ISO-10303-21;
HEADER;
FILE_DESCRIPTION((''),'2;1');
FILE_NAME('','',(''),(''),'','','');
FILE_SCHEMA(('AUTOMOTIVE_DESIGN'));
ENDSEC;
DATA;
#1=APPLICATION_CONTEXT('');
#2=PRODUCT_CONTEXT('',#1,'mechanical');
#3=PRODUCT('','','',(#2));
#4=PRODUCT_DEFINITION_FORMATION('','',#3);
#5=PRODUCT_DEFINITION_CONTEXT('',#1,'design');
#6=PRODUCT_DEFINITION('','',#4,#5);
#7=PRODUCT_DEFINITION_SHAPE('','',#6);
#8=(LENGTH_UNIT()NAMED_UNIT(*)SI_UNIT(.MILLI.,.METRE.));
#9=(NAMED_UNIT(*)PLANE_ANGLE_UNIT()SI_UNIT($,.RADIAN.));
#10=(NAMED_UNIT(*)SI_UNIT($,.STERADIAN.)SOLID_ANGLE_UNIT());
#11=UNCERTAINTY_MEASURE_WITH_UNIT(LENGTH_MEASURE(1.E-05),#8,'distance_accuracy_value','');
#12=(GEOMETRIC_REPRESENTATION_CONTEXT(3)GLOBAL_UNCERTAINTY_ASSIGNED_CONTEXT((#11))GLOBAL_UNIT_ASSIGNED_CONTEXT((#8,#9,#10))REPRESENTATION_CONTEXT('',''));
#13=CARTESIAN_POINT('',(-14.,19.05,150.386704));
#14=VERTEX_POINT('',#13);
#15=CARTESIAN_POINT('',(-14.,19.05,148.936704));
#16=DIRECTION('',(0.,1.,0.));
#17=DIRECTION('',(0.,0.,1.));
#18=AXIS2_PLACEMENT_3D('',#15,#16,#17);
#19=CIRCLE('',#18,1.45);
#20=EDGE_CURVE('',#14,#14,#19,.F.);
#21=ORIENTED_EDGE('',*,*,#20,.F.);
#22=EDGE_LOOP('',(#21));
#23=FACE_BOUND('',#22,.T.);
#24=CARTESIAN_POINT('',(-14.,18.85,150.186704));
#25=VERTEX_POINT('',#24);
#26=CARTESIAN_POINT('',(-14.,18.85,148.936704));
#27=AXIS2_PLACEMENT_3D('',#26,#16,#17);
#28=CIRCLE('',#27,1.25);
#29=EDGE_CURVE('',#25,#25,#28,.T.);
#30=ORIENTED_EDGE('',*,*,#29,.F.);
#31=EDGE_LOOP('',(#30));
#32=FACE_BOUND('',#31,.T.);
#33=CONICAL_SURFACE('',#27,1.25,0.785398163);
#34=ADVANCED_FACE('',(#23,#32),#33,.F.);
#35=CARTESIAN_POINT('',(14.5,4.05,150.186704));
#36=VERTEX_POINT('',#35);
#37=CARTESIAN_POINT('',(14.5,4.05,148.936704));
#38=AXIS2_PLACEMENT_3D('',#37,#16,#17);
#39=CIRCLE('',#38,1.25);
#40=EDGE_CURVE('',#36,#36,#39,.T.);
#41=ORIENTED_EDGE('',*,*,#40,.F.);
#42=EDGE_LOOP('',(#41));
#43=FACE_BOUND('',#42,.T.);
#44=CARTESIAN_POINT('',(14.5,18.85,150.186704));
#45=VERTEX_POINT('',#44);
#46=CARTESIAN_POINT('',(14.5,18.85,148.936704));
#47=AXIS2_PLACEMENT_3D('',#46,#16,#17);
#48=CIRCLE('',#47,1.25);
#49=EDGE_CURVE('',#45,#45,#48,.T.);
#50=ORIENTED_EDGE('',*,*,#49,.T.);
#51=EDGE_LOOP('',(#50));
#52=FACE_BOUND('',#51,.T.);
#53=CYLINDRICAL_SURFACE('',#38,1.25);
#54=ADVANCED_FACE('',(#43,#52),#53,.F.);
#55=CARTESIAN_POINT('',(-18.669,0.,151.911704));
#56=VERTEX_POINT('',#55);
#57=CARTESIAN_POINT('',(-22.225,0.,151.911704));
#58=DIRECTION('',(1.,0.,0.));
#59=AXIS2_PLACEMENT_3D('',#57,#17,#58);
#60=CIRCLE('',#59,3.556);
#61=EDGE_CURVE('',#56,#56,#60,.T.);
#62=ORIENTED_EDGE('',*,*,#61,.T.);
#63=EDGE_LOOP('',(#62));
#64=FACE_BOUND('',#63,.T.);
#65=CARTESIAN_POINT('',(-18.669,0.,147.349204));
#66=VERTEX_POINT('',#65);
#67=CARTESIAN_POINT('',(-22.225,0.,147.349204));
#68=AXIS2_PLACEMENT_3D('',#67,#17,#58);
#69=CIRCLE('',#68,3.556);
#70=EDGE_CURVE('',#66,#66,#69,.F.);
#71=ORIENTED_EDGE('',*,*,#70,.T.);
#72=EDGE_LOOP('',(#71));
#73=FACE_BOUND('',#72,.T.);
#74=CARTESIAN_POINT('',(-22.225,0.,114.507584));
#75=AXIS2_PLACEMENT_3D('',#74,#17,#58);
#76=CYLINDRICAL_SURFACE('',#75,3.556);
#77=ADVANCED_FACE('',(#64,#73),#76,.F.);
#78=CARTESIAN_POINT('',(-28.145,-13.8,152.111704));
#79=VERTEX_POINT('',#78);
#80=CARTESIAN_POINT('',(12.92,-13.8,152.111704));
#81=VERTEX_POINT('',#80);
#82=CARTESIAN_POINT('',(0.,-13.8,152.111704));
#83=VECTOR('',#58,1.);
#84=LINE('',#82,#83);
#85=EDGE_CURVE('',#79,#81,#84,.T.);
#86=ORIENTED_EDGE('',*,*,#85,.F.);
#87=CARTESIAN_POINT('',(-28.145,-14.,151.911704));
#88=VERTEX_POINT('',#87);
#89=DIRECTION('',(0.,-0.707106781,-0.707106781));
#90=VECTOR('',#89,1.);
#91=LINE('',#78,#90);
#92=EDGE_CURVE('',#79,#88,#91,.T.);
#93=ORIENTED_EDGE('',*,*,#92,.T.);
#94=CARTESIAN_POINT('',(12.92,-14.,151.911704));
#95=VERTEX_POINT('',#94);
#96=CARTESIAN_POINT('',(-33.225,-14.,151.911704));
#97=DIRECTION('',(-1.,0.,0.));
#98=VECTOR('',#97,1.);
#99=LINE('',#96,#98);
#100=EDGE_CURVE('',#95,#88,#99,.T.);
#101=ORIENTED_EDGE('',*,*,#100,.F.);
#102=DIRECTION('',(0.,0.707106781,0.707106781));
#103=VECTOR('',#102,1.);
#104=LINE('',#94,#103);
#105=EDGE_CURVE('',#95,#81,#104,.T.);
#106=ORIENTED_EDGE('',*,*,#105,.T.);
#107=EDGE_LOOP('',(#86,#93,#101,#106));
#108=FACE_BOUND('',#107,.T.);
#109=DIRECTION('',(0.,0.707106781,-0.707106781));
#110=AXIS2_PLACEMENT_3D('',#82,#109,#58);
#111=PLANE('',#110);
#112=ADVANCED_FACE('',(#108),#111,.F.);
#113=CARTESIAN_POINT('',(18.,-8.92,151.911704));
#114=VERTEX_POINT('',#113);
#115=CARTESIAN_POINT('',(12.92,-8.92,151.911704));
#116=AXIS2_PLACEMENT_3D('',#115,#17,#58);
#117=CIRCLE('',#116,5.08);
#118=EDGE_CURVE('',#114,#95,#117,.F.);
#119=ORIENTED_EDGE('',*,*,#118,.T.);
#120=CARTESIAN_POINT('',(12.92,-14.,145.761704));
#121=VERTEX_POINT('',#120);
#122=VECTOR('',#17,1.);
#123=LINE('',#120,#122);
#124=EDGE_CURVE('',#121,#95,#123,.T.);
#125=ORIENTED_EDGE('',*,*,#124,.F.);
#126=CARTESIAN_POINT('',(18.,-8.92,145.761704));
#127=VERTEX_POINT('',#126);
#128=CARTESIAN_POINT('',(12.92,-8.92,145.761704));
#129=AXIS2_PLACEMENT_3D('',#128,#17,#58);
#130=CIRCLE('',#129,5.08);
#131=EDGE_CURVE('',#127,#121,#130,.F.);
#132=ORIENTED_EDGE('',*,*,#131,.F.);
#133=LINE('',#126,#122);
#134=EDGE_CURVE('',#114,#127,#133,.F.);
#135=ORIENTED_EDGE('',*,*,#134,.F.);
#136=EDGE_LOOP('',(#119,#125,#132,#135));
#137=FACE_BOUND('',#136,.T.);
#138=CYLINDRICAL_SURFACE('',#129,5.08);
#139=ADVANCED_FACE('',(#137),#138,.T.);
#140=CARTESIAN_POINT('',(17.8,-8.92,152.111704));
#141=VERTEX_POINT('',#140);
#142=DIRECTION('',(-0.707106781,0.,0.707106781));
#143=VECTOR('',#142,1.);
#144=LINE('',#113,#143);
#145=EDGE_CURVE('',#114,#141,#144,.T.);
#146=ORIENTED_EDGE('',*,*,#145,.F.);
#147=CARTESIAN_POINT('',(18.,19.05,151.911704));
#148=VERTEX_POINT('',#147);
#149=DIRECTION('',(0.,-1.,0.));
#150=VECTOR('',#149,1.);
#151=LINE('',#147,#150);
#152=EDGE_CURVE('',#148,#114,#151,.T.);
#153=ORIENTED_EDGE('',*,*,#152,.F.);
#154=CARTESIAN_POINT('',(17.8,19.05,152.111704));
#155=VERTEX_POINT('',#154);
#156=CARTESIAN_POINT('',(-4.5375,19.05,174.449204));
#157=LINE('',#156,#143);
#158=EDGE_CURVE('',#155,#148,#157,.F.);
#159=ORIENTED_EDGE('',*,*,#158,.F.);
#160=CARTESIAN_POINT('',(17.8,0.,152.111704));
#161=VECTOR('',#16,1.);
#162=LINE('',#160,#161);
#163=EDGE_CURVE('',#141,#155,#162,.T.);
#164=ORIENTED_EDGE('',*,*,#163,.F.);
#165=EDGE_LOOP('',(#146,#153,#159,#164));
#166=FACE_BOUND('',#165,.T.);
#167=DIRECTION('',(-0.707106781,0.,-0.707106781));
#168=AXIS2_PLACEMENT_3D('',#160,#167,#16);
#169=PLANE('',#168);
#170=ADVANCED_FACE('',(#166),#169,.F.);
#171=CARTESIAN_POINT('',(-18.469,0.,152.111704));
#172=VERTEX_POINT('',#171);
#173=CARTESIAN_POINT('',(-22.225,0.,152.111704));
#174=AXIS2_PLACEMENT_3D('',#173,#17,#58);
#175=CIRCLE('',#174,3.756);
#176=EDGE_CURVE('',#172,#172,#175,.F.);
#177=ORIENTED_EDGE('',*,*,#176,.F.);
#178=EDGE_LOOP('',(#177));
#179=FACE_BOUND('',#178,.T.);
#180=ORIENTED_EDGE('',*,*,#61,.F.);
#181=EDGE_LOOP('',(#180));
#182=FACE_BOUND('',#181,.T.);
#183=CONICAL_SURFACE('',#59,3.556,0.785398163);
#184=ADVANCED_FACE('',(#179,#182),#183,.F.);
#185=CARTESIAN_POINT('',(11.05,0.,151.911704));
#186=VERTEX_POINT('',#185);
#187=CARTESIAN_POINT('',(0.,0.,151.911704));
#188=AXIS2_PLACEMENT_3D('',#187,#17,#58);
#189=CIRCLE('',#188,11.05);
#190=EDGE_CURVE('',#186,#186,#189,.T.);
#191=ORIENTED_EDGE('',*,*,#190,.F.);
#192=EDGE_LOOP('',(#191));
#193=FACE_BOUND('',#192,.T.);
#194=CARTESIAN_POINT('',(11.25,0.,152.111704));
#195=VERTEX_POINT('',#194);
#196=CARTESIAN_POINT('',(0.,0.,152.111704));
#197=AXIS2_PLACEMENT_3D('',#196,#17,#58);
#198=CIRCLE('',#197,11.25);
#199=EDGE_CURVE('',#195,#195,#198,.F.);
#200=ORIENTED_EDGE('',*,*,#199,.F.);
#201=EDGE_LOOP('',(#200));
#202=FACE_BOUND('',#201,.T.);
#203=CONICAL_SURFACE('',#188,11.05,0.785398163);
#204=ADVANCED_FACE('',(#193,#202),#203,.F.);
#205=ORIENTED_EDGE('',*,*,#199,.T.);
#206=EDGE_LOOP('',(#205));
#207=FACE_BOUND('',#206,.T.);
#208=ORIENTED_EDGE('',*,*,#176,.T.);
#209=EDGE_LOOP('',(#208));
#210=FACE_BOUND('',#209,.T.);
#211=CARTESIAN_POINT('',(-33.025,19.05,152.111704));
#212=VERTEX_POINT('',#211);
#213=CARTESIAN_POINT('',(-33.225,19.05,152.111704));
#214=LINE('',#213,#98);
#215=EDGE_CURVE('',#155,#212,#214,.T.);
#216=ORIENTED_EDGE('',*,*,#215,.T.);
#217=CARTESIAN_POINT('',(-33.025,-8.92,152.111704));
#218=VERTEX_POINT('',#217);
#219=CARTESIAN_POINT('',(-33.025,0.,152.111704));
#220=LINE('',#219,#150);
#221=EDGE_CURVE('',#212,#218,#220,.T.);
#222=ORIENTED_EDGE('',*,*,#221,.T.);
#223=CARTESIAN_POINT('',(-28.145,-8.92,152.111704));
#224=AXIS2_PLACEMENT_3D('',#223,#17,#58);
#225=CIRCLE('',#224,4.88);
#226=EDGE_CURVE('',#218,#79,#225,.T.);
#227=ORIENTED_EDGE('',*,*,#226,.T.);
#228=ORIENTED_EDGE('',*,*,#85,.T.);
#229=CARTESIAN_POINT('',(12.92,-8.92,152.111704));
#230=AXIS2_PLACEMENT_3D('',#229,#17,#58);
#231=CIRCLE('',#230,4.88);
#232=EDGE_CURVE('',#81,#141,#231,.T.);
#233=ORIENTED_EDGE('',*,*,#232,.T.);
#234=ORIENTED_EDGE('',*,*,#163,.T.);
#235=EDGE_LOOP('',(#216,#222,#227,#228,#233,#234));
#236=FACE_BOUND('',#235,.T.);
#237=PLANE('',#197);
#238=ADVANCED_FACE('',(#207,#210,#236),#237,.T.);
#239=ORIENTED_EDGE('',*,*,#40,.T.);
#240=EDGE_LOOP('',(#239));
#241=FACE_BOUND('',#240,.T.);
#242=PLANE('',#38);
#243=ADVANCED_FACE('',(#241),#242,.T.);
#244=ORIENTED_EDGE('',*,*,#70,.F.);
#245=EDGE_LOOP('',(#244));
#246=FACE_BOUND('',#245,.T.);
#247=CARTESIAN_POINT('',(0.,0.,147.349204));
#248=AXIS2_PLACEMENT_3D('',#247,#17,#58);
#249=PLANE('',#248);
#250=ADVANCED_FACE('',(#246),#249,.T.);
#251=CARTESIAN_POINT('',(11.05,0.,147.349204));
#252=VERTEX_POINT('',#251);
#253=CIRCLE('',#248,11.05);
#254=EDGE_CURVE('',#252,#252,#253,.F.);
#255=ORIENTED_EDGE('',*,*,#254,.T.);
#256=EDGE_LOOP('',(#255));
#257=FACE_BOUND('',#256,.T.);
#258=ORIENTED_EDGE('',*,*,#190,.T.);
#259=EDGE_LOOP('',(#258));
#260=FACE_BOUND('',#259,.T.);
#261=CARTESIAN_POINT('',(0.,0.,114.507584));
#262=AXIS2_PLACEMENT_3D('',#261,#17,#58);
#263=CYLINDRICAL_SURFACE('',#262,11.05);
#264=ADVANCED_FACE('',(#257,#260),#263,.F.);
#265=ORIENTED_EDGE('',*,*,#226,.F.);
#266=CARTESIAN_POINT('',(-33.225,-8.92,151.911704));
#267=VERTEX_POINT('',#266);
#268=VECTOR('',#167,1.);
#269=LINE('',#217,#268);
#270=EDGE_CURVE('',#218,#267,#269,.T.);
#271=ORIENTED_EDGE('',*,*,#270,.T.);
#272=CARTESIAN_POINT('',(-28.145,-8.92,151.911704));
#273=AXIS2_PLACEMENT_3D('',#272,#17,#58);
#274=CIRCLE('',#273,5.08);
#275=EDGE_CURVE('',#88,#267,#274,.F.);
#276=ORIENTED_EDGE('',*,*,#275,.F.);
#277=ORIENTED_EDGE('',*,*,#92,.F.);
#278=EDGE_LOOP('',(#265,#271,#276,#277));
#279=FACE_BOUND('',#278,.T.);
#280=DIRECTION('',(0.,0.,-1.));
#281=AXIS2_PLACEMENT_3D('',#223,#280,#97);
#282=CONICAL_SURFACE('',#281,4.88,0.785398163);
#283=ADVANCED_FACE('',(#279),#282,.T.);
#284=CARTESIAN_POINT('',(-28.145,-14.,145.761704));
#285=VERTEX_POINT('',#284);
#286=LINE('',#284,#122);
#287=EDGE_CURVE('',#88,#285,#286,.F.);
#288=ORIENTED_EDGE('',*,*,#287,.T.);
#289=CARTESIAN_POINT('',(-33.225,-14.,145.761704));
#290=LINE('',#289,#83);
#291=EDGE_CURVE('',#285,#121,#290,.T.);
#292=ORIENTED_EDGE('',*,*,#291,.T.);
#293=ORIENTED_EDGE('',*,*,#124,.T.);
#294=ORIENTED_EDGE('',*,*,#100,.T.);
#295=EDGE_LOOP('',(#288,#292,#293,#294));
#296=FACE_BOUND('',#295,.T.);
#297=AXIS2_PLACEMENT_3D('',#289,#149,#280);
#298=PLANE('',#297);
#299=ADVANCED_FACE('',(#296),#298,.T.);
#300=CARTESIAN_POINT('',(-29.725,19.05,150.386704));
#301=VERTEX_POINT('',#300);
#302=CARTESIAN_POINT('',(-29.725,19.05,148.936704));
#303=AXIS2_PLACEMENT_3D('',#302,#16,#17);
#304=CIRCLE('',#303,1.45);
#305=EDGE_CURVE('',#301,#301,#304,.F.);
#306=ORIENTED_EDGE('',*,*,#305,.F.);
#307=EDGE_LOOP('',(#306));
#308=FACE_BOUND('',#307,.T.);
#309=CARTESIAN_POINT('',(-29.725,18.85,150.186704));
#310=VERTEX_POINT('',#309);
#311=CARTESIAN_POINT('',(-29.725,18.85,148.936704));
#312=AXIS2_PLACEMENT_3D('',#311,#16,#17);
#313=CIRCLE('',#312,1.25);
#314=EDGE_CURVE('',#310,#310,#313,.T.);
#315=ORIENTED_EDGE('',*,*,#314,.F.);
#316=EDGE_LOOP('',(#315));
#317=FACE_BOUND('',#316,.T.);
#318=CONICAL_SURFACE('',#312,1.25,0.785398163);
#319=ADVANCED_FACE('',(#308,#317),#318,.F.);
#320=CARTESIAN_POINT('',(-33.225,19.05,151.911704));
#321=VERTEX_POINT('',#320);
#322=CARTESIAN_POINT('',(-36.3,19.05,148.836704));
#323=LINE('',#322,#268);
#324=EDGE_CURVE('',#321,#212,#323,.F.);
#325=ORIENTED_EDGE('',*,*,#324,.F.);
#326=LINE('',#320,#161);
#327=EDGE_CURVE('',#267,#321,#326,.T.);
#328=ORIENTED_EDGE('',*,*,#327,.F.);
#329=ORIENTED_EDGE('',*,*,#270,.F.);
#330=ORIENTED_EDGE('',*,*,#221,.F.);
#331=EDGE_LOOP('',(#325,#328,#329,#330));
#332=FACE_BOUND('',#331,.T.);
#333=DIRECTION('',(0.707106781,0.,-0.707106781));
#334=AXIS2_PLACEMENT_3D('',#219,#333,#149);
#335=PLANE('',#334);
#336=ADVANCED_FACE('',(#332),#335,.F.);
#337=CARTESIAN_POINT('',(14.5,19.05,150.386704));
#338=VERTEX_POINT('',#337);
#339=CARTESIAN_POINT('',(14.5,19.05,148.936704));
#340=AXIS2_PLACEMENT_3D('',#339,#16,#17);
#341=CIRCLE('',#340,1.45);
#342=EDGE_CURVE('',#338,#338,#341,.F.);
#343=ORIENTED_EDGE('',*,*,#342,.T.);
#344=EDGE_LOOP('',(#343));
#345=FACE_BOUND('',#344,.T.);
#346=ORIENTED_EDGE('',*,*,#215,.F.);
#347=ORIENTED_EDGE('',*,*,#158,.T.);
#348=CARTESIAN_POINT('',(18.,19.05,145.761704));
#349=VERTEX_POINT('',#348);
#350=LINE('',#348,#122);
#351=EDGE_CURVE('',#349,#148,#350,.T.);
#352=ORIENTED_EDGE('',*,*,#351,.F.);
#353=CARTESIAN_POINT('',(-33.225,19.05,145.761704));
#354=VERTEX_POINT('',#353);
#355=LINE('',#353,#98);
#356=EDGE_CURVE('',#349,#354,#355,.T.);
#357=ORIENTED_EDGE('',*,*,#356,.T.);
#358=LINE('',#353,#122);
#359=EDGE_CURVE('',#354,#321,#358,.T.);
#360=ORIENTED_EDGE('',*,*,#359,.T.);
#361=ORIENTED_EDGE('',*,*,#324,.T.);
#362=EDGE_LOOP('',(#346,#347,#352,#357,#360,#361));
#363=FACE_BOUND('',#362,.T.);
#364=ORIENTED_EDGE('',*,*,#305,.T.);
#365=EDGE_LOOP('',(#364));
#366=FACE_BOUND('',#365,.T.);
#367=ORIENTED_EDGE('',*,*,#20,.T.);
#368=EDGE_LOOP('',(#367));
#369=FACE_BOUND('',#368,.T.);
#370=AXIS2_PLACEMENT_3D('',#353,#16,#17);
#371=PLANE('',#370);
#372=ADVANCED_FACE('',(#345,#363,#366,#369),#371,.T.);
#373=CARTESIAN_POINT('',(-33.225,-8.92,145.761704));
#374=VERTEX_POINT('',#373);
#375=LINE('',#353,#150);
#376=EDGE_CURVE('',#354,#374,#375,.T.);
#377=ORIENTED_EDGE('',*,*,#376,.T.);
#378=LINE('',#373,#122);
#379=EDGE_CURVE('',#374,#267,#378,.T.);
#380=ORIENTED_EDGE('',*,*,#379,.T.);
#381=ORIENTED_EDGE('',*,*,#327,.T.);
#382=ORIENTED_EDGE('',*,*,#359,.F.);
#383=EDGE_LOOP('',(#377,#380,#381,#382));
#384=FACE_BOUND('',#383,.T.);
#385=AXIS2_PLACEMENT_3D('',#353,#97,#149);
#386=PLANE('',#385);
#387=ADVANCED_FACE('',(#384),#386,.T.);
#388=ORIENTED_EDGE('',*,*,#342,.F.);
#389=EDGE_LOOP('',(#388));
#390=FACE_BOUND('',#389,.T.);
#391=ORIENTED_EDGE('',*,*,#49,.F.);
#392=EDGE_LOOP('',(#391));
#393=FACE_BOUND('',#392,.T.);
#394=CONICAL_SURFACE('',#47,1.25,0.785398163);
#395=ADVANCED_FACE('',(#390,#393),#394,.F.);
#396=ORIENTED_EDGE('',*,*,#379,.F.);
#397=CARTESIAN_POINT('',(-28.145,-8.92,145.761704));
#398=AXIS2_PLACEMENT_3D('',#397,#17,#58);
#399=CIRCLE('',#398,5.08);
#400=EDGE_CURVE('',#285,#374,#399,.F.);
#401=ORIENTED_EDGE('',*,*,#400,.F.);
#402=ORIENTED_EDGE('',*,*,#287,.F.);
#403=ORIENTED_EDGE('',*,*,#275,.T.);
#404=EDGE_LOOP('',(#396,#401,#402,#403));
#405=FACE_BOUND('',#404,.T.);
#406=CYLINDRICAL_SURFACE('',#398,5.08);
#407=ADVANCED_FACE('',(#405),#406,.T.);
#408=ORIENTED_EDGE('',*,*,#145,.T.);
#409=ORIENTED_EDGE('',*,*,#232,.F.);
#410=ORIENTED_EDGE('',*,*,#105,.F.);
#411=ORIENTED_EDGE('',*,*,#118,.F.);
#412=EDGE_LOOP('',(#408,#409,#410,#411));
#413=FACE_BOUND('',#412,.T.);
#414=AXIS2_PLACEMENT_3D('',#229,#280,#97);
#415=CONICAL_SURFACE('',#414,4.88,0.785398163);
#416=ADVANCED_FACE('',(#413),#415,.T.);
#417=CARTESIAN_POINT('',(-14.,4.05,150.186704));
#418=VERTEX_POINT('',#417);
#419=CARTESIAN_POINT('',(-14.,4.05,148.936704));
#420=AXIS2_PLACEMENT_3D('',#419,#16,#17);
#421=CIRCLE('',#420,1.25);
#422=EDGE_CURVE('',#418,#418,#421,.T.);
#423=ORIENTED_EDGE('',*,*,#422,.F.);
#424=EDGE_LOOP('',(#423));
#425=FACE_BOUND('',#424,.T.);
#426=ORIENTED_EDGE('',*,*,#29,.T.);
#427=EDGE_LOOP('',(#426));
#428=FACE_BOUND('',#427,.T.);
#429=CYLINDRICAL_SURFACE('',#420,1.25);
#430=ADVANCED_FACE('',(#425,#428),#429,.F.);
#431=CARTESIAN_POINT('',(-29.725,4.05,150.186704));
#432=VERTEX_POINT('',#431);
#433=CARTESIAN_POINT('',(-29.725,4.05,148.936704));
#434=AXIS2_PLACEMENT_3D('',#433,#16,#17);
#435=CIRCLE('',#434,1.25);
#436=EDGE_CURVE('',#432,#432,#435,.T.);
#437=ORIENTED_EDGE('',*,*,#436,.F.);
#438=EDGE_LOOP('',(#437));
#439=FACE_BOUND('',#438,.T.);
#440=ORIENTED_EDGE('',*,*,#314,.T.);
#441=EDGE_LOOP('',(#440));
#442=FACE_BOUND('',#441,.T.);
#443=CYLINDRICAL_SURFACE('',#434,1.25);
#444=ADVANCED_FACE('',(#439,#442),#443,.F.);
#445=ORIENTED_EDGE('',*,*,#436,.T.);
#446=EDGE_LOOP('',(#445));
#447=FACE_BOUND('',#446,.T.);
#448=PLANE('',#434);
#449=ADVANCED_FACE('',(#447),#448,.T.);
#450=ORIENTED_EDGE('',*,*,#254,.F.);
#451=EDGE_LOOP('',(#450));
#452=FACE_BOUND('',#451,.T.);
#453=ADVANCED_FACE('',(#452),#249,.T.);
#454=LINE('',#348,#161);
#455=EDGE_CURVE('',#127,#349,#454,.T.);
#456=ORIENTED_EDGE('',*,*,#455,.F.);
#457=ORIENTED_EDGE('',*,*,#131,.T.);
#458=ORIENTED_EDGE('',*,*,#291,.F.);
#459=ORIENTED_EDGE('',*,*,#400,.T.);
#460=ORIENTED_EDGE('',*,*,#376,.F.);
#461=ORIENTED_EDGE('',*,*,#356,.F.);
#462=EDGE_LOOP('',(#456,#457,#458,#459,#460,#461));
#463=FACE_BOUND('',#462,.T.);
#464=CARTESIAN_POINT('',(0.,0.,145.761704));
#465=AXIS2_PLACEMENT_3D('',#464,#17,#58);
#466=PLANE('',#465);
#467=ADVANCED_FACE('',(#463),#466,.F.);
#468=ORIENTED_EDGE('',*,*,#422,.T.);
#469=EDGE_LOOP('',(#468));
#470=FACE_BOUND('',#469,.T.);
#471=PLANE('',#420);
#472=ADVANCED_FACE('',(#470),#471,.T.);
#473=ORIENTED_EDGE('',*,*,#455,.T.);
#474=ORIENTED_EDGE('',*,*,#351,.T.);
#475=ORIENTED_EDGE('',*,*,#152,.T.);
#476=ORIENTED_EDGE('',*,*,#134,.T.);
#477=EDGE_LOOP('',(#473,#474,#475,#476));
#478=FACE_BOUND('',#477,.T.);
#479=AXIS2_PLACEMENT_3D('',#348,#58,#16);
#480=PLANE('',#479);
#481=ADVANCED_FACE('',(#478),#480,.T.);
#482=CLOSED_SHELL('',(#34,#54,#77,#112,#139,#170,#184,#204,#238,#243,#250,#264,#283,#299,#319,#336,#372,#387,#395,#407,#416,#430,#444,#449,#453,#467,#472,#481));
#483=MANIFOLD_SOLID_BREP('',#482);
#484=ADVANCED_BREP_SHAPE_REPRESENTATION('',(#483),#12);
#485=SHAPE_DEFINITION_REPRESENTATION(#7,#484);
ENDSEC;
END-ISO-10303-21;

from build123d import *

# Parameters (mm, degrees)
SKETCH1_W           = 51.225
SKETCH1_H           = 33.05
BOSS_EXTRUDE1_DEPTH = 6.35
SKETCH7_R           = 11.05
SKETCH7_R_2         = 3.556
CUT_EXTRUDE3_DEPTH  = 4.7625
SKETCH8_R           = 1.25
CUT_EXTRUDE4_DEPTH  = 15
FILLET3_R           = 5.08
CHAMFER2_SIZE       = 0.2


with BuildPart() as part:
    # Sketch1 → Boss-Extrude1 (new body)
    with BuildSketch(Plane.XY.offset(152.111703917)):
        with Locations((-7.6125, 2.525)):
            Rectangle(SKETCH1_W, SKETCH1_H)
    extrude(amount=-BOSS_EXTRUDE1_DEPTH)

    # Sketch7 → Cut-Extrude3 (cut)
    with BuildSketch(Plane.XY.offset(152.111703917)):
        Circle(SKETCH7_R)
        with Locations((-22.225, 0)):
            Circle(SKETCH7_R_2)
    extrude(amount=-CUT_EXTRUDE3_DEPTH, mode=Mode.SUBTRACT)

    # Sketch8 → Cut-Extrude4 (cut)
    with BuildSketch(Plane(origin=(0, 19.05, 0), x_dir=(1, 0, 0), z_dir=(0, 1, 0))):
        with Locations(Location((-29.725, -148.936703917, 0), (0, 0, 270))):
            Circle(SKETCH8_R)
        with Locations(Location((-14, -148.936703917, 0), (0, 0, 270))):
            Circle(SKETCH8_R)
        with Locations(Location((14.5, -148.936703917, 0), (0, 0, 270))):
            Circle(SKETCH8_R)
    extrude(amount=-CUT_EXTRUDE4_DEPTH, mode=Mode.SUBTRACT)

    # Fillet3
    fillet3_edges = [part.edges().sort_by_distance(p)[0] for p in [
        (18, -14, 148.936703917),
        (-33.225, -14, 148.936703917),
    ]]
    fillet(fillet3_edges, radius=FILLET3_R)

    # Chamfer2
    chamfer2_edges = [part.edges().sort_by_distance(p)[0] for p in [
        (-11.05, 0, 152.111703917),
        (-25.781, 0, 152.111703917),
        (-29.725, 19.05, 147.686703917),
        (-14, 19.05, 147.686703917),
        (14.5, 19.05, 147.686703917),
        (-7.6125, -14, 152.111703917),
        (18, 5.065, 152.111703917),
        (-31.737102448, -12.512102448, 152.111703917),
        (16.512102448, -12.512102448, 152.111703917),
        (-33.225, 5.065, 152.111703917),
    ]]
    chamfer(chamfer2_edges, length=CHAMFER2_SIZE)


solid = part.part
